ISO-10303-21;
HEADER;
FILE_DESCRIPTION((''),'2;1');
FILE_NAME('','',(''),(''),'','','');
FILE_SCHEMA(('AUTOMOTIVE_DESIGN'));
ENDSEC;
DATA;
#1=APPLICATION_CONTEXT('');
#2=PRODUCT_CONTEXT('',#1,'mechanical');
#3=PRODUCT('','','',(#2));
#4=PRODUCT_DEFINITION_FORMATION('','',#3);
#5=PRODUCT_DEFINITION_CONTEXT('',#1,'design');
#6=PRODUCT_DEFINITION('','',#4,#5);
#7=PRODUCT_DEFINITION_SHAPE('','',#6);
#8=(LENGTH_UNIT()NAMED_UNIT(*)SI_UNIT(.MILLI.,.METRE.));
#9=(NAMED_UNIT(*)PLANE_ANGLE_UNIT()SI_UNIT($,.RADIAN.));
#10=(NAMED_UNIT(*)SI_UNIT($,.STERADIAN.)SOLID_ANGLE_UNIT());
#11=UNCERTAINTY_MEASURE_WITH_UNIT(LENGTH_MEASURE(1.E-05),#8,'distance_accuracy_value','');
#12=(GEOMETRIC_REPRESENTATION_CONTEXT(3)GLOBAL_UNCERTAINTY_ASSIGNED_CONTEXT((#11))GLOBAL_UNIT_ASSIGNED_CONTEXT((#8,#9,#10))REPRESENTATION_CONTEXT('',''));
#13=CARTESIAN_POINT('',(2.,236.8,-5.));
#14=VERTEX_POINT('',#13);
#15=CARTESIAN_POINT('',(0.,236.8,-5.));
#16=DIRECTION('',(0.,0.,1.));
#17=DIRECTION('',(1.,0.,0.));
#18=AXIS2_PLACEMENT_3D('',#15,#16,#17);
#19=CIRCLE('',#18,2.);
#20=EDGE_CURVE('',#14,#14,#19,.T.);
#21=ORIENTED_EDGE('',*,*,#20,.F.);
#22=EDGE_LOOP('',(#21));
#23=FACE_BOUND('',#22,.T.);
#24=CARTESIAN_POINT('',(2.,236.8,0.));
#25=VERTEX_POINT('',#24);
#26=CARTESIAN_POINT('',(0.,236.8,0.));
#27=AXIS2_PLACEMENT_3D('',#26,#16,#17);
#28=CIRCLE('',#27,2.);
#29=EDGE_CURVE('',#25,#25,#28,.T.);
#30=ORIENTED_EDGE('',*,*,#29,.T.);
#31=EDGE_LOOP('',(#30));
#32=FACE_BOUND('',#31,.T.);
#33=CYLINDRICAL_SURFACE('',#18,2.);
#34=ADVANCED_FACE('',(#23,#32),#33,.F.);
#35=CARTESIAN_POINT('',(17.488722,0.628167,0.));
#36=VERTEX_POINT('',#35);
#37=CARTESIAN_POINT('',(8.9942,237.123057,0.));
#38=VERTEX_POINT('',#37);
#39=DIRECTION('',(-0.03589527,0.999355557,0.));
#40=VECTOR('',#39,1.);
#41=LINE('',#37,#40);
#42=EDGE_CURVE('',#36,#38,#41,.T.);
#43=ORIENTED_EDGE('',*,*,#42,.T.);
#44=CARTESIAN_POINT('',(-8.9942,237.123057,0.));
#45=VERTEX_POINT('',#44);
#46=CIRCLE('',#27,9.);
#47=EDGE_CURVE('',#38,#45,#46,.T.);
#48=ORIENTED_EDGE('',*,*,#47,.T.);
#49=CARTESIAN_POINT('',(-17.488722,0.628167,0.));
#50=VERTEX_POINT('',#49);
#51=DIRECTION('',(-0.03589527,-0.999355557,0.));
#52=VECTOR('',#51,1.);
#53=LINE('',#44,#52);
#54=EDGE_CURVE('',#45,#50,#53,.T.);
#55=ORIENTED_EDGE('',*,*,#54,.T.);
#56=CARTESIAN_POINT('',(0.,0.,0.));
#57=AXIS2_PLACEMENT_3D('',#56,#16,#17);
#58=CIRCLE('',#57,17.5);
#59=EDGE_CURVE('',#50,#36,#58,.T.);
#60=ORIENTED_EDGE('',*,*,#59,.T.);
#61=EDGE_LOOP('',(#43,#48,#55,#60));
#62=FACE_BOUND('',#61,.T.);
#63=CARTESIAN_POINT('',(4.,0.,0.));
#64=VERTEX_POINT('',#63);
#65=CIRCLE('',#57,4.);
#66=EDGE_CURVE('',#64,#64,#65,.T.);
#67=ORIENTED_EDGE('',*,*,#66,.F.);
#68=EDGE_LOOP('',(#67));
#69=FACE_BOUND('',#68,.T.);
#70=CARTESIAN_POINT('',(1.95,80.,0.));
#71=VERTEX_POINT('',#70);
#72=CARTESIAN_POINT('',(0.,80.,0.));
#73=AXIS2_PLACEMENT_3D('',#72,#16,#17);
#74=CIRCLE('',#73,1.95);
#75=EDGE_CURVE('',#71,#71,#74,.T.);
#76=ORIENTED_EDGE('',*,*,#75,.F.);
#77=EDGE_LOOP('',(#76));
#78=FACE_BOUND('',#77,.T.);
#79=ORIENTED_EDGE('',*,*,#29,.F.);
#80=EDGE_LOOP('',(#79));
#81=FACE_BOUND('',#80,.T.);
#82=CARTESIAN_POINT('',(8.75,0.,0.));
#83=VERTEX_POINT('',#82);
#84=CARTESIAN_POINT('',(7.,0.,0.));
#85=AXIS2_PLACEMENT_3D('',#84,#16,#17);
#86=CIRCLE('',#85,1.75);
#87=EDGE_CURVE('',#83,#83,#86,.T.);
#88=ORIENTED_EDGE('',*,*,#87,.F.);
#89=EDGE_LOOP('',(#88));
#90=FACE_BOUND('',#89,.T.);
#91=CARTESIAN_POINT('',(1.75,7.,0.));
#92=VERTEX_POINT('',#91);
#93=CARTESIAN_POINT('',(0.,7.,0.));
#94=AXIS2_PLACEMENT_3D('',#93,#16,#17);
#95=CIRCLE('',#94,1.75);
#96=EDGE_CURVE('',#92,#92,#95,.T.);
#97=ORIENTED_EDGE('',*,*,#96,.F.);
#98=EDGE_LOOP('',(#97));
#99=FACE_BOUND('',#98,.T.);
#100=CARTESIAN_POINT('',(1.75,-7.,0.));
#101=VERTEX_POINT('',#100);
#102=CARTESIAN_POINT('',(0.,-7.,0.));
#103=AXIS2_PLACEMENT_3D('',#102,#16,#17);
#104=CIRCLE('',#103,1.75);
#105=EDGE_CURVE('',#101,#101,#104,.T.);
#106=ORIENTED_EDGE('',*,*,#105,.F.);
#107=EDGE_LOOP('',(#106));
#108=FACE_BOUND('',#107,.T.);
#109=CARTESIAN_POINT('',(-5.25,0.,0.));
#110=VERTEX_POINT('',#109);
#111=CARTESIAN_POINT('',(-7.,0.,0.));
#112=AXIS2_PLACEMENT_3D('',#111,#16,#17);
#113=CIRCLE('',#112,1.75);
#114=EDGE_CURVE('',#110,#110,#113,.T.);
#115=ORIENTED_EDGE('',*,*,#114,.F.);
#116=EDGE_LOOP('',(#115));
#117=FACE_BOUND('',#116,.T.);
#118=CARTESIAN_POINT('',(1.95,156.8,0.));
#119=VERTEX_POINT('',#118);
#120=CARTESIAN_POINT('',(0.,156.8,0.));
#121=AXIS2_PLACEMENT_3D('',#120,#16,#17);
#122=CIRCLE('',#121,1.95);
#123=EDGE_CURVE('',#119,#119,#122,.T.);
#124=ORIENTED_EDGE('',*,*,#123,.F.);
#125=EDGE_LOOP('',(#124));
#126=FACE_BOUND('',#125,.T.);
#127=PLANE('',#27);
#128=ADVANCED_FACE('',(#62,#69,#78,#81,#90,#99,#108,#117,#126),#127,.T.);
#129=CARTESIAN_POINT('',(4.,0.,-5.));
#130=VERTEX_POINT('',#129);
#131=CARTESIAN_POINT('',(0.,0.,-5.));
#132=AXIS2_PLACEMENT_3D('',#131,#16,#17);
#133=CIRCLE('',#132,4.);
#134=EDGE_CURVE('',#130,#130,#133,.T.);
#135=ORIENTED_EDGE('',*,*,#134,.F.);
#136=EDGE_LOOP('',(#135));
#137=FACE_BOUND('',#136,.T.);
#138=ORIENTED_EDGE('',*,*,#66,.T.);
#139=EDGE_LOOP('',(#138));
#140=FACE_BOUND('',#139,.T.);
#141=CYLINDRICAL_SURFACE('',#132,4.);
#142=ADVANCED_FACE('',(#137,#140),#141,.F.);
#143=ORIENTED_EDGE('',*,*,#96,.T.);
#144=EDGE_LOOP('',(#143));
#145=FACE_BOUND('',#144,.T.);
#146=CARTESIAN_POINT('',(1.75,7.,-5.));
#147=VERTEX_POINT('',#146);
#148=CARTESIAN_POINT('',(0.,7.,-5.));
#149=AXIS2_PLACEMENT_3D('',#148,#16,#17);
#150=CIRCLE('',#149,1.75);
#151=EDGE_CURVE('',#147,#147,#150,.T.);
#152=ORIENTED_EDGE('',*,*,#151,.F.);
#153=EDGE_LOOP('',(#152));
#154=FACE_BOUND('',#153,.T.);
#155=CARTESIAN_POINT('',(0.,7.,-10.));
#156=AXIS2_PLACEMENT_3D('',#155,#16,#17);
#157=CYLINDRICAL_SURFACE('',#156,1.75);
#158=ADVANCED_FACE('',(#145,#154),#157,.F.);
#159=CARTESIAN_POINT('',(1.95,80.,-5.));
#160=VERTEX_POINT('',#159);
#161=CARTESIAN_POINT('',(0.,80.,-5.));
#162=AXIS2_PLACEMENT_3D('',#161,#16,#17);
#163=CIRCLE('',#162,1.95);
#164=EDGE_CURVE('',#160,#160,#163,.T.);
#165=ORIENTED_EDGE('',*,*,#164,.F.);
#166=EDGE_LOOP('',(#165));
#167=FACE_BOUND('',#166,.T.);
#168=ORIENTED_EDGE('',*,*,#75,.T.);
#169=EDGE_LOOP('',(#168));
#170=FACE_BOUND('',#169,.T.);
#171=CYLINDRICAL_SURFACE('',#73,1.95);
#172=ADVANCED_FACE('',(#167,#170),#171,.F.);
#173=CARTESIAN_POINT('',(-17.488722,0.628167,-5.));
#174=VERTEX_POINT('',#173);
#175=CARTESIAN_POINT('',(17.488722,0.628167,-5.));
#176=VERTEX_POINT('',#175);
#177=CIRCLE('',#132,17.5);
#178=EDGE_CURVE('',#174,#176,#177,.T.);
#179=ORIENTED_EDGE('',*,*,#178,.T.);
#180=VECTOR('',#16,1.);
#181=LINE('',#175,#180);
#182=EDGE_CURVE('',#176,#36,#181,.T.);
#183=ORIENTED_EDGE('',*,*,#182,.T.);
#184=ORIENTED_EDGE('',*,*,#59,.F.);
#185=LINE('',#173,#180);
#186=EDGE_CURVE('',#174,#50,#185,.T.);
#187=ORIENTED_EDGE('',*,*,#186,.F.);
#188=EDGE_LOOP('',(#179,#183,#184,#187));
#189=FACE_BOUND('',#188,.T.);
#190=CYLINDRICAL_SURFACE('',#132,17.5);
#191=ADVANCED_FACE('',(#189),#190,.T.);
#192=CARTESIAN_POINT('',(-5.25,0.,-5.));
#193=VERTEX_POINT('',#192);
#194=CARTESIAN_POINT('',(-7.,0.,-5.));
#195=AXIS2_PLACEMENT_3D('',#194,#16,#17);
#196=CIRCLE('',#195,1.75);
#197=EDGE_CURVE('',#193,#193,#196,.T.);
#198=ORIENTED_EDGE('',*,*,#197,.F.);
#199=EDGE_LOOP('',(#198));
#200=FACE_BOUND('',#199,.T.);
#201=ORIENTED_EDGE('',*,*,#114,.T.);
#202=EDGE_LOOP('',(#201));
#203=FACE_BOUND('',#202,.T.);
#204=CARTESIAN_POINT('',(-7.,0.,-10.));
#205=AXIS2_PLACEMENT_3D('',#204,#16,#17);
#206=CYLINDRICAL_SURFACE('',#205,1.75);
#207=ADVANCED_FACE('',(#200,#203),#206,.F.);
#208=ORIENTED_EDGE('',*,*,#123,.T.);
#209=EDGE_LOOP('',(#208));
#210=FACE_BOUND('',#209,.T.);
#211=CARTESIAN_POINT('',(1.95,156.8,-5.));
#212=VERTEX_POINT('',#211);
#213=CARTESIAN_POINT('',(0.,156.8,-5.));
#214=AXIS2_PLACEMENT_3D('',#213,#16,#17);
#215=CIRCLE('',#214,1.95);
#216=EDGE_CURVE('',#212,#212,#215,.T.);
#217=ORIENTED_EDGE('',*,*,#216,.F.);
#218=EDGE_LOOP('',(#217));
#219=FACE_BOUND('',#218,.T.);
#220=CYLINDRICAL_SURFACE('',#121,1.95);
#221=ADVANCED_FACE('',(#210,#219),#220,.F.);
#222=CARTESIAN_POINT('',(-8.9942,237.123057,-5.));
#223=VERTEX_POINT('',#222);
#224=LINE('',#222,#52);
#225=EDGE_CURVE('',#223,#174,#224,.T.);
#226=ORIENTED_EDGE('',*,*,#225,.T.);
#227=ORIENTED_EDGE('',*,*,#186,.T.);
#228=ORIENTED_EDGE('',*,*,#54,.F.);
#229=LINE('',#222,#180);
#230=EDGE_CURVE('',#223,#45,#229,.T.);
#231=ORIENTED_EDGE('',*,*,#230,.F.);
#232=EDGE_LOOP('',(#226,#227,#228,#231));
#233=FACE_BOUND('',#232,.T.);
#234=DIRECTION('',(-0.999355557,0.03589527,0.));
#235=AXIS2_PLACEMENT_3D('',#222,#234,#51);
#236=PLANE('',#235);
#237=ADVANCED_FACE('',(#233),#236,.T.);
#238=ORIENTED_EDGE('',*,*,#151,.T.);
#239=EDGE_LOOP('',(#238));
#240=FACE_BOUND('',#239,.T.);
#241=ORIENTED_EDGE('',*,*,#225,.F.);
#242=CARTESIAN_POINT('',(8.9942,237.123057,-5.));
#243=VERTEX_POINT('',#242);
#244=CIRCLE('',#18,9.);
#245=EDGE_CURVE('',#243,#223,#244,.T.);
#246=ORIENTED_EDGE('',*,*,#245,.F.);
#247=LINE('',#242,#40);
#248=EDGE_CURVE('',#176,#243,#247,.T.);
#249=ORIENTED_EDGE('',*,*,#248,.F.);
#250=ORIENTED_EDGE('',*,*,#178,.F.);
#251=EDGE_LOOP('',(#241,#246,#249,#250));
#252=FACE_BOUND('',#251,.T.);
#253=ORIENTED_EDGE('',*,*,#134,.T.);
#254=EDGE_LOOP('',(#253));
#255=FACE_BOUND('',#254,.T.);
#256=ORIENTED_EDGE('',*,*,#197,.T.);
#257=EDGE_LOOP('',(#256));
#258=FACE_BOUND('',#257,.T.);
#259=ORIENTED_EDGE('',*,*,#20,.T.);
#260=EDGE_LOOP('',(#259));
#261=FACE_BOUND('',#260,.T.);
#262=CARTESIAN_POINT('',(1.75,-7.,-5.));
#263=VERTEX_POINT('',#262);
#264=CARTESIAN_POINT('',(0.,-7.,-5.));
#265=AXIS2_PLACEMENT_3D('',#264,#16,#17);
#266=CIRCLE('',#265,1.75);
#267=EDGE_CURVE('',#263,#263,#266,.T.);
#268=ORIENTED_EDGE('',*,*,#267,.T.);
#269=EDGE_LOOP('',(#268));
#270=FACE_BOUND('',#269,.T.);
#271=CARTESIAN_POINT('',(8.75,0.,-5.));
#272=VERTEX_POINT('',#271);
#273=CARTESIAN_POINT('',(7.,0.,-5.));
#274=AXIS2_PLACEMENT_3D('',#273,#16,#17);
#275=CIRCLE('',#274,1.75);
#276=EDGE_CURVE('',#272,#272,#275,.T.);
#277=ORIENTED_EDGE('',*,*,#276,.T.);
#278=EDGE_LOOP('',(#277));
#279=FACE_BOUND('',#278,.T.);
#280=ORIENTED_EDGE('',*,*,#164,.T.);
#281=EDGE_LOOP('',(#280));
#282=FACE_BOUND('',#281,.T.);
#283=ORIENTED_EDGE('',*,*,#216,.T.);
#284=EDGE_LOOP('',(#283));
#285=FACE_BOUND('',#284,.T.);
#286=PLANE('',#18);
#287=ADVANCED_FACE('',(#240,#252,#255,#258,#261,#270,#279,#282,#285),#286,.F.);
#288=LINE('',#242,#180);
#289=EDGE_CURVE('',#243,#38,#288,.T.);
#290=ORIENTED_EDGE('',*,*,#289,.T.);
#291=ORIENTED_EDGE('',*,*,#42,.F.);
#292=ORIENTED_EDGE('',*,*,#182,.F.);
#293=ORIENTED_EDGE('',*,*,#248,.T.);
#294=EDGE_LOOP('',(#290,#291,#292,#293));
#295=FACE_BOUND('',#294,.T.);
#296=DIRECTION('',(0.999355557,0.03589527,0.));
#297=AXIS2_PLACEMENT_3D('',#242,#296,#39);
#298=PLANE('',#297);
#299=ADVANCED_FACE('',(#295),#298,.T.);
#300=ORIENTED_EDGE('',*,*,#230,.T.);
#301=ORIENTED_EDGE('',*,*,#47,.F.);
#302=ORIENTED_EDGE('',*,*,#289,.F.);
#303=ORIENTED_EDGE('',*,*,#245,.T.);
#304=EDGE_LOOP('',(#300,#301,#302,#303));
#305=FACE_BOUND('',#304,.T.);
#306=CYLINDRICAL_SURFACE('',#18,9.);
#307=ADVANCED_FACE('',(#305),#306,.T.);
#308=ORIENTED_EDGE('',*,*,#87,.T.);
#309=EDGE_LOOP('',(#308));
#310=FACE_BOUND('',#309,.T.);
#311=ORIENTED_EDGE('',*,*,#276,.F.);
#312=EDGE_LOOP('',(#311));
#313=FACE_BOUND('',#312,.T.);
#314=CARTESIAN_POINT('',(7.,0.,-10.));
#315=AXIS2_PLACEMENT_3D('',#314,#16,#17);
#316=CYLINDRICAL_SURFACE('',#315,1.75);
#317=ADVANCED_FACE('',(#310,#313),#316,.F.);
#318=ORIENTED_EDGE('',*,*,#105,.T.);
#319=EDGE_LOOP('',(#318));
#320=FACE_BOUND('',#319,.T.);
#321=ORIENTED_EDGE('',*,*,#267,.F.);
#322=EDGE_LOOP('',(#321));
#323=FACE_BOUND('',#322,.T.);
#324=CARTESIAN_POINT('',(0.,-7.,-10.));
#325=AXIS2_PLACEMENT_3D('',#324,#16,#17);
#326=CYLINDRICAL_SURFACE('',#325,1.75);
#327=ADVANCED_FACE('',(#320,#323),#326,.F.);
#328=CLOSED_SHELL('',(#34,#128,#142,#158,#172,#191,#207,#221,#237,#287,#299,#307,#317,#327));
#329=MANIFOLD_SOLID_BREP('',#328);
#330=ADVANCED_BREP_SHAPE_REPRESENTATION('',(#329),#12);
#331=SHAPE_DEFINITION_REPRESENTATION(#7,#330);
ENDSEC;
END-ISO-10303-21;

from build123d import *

# Parameters (mm, degrees)
SKETCH7_R                = 4
SKETCH7_R_2              = 2
BOSS_EXTRUDE1_DEPTH      = 5
HOLE_WIZARD_M3_5_1_D     = 3.9
HOLE_WIZARD_M3_5_1_DEPTH = 10
HOLE_WIZARD_M3_5_1_TIP   = 1.171678207
SKETCH_4_R               = 1.75
CUT_EXTRUDE_1_DEPTH      = 10


with BuildPart() as part:
    # Sketch7 → Boss-Extrude1 (new body)
    with BuildSketch(Plane.XY):
        with BuildLine():
            Line((8.994200014, 237.123057432), (17.48872225, 0.62816723))
            ThreePointArc((17.48872225, 0.62816723), (0, -17.5), (-17.48872225, 0.62816723))
            Line((-17.48872225, 0.62816723), (-8.994200014, 237.123057432))
            ThreePointArc((-8.994200014, 237.123057432), (0, 245.8), (8.994200014, 237.123057432))
        make_face()
        Circle(SKETCH7_R, mode=Mode.SUBTRACT)
        with Locations((0, 236.8)):
            Circle(SKETCH7_R_2, mode=Mode.SUBTRACT)
    extrude(amount=-BOSS_EXTRUDE1_DEPTH)

    # M3.5 间隙孔1
    with Locations(Plane(origin=(0, 156.8, 0), x_dir=(1, 0, 0), z_dir=(0, 0, 1))):
        with Locations((0, 0), (0, -76.8)):
            Hole(HOLE_WIZARD_M3_5_1_D / 2, depth=HOLE_WIZARD_M3_5_1_DEPTH)
            with Locations((0, 0, -(HOLE_WIZARD_M3_5_1_DEPTH + HOLE_WIZARD_M3_5_1_TIP / 2))):  # 118° drill point
                Cone(0, HOLE_WIZARD_M3_5_1_D / 2, HOLE_WIZARD_M3_5_1_TIP, mode=Mode.SUBTRACT)

    # 草图4 → 切除-拉伸1 (cut)
    with BuildSketch(Plane.XY):
        with Locations((7, 0)):
            Circle(SKETCH_4_R)
        with Locations((0, 7)):
            Circle(SKETCH_4_R)
        with Locations((0, -7)):
            Circle(SKETCH_4_R)
        with Locations((-7, 0)):
            Circle(SKETCH_4_R)
    extrude(amount=-CUT_EXTRUDE_1_DEPTH, mode=Mode.SUBTRACT)


solid = part.part
